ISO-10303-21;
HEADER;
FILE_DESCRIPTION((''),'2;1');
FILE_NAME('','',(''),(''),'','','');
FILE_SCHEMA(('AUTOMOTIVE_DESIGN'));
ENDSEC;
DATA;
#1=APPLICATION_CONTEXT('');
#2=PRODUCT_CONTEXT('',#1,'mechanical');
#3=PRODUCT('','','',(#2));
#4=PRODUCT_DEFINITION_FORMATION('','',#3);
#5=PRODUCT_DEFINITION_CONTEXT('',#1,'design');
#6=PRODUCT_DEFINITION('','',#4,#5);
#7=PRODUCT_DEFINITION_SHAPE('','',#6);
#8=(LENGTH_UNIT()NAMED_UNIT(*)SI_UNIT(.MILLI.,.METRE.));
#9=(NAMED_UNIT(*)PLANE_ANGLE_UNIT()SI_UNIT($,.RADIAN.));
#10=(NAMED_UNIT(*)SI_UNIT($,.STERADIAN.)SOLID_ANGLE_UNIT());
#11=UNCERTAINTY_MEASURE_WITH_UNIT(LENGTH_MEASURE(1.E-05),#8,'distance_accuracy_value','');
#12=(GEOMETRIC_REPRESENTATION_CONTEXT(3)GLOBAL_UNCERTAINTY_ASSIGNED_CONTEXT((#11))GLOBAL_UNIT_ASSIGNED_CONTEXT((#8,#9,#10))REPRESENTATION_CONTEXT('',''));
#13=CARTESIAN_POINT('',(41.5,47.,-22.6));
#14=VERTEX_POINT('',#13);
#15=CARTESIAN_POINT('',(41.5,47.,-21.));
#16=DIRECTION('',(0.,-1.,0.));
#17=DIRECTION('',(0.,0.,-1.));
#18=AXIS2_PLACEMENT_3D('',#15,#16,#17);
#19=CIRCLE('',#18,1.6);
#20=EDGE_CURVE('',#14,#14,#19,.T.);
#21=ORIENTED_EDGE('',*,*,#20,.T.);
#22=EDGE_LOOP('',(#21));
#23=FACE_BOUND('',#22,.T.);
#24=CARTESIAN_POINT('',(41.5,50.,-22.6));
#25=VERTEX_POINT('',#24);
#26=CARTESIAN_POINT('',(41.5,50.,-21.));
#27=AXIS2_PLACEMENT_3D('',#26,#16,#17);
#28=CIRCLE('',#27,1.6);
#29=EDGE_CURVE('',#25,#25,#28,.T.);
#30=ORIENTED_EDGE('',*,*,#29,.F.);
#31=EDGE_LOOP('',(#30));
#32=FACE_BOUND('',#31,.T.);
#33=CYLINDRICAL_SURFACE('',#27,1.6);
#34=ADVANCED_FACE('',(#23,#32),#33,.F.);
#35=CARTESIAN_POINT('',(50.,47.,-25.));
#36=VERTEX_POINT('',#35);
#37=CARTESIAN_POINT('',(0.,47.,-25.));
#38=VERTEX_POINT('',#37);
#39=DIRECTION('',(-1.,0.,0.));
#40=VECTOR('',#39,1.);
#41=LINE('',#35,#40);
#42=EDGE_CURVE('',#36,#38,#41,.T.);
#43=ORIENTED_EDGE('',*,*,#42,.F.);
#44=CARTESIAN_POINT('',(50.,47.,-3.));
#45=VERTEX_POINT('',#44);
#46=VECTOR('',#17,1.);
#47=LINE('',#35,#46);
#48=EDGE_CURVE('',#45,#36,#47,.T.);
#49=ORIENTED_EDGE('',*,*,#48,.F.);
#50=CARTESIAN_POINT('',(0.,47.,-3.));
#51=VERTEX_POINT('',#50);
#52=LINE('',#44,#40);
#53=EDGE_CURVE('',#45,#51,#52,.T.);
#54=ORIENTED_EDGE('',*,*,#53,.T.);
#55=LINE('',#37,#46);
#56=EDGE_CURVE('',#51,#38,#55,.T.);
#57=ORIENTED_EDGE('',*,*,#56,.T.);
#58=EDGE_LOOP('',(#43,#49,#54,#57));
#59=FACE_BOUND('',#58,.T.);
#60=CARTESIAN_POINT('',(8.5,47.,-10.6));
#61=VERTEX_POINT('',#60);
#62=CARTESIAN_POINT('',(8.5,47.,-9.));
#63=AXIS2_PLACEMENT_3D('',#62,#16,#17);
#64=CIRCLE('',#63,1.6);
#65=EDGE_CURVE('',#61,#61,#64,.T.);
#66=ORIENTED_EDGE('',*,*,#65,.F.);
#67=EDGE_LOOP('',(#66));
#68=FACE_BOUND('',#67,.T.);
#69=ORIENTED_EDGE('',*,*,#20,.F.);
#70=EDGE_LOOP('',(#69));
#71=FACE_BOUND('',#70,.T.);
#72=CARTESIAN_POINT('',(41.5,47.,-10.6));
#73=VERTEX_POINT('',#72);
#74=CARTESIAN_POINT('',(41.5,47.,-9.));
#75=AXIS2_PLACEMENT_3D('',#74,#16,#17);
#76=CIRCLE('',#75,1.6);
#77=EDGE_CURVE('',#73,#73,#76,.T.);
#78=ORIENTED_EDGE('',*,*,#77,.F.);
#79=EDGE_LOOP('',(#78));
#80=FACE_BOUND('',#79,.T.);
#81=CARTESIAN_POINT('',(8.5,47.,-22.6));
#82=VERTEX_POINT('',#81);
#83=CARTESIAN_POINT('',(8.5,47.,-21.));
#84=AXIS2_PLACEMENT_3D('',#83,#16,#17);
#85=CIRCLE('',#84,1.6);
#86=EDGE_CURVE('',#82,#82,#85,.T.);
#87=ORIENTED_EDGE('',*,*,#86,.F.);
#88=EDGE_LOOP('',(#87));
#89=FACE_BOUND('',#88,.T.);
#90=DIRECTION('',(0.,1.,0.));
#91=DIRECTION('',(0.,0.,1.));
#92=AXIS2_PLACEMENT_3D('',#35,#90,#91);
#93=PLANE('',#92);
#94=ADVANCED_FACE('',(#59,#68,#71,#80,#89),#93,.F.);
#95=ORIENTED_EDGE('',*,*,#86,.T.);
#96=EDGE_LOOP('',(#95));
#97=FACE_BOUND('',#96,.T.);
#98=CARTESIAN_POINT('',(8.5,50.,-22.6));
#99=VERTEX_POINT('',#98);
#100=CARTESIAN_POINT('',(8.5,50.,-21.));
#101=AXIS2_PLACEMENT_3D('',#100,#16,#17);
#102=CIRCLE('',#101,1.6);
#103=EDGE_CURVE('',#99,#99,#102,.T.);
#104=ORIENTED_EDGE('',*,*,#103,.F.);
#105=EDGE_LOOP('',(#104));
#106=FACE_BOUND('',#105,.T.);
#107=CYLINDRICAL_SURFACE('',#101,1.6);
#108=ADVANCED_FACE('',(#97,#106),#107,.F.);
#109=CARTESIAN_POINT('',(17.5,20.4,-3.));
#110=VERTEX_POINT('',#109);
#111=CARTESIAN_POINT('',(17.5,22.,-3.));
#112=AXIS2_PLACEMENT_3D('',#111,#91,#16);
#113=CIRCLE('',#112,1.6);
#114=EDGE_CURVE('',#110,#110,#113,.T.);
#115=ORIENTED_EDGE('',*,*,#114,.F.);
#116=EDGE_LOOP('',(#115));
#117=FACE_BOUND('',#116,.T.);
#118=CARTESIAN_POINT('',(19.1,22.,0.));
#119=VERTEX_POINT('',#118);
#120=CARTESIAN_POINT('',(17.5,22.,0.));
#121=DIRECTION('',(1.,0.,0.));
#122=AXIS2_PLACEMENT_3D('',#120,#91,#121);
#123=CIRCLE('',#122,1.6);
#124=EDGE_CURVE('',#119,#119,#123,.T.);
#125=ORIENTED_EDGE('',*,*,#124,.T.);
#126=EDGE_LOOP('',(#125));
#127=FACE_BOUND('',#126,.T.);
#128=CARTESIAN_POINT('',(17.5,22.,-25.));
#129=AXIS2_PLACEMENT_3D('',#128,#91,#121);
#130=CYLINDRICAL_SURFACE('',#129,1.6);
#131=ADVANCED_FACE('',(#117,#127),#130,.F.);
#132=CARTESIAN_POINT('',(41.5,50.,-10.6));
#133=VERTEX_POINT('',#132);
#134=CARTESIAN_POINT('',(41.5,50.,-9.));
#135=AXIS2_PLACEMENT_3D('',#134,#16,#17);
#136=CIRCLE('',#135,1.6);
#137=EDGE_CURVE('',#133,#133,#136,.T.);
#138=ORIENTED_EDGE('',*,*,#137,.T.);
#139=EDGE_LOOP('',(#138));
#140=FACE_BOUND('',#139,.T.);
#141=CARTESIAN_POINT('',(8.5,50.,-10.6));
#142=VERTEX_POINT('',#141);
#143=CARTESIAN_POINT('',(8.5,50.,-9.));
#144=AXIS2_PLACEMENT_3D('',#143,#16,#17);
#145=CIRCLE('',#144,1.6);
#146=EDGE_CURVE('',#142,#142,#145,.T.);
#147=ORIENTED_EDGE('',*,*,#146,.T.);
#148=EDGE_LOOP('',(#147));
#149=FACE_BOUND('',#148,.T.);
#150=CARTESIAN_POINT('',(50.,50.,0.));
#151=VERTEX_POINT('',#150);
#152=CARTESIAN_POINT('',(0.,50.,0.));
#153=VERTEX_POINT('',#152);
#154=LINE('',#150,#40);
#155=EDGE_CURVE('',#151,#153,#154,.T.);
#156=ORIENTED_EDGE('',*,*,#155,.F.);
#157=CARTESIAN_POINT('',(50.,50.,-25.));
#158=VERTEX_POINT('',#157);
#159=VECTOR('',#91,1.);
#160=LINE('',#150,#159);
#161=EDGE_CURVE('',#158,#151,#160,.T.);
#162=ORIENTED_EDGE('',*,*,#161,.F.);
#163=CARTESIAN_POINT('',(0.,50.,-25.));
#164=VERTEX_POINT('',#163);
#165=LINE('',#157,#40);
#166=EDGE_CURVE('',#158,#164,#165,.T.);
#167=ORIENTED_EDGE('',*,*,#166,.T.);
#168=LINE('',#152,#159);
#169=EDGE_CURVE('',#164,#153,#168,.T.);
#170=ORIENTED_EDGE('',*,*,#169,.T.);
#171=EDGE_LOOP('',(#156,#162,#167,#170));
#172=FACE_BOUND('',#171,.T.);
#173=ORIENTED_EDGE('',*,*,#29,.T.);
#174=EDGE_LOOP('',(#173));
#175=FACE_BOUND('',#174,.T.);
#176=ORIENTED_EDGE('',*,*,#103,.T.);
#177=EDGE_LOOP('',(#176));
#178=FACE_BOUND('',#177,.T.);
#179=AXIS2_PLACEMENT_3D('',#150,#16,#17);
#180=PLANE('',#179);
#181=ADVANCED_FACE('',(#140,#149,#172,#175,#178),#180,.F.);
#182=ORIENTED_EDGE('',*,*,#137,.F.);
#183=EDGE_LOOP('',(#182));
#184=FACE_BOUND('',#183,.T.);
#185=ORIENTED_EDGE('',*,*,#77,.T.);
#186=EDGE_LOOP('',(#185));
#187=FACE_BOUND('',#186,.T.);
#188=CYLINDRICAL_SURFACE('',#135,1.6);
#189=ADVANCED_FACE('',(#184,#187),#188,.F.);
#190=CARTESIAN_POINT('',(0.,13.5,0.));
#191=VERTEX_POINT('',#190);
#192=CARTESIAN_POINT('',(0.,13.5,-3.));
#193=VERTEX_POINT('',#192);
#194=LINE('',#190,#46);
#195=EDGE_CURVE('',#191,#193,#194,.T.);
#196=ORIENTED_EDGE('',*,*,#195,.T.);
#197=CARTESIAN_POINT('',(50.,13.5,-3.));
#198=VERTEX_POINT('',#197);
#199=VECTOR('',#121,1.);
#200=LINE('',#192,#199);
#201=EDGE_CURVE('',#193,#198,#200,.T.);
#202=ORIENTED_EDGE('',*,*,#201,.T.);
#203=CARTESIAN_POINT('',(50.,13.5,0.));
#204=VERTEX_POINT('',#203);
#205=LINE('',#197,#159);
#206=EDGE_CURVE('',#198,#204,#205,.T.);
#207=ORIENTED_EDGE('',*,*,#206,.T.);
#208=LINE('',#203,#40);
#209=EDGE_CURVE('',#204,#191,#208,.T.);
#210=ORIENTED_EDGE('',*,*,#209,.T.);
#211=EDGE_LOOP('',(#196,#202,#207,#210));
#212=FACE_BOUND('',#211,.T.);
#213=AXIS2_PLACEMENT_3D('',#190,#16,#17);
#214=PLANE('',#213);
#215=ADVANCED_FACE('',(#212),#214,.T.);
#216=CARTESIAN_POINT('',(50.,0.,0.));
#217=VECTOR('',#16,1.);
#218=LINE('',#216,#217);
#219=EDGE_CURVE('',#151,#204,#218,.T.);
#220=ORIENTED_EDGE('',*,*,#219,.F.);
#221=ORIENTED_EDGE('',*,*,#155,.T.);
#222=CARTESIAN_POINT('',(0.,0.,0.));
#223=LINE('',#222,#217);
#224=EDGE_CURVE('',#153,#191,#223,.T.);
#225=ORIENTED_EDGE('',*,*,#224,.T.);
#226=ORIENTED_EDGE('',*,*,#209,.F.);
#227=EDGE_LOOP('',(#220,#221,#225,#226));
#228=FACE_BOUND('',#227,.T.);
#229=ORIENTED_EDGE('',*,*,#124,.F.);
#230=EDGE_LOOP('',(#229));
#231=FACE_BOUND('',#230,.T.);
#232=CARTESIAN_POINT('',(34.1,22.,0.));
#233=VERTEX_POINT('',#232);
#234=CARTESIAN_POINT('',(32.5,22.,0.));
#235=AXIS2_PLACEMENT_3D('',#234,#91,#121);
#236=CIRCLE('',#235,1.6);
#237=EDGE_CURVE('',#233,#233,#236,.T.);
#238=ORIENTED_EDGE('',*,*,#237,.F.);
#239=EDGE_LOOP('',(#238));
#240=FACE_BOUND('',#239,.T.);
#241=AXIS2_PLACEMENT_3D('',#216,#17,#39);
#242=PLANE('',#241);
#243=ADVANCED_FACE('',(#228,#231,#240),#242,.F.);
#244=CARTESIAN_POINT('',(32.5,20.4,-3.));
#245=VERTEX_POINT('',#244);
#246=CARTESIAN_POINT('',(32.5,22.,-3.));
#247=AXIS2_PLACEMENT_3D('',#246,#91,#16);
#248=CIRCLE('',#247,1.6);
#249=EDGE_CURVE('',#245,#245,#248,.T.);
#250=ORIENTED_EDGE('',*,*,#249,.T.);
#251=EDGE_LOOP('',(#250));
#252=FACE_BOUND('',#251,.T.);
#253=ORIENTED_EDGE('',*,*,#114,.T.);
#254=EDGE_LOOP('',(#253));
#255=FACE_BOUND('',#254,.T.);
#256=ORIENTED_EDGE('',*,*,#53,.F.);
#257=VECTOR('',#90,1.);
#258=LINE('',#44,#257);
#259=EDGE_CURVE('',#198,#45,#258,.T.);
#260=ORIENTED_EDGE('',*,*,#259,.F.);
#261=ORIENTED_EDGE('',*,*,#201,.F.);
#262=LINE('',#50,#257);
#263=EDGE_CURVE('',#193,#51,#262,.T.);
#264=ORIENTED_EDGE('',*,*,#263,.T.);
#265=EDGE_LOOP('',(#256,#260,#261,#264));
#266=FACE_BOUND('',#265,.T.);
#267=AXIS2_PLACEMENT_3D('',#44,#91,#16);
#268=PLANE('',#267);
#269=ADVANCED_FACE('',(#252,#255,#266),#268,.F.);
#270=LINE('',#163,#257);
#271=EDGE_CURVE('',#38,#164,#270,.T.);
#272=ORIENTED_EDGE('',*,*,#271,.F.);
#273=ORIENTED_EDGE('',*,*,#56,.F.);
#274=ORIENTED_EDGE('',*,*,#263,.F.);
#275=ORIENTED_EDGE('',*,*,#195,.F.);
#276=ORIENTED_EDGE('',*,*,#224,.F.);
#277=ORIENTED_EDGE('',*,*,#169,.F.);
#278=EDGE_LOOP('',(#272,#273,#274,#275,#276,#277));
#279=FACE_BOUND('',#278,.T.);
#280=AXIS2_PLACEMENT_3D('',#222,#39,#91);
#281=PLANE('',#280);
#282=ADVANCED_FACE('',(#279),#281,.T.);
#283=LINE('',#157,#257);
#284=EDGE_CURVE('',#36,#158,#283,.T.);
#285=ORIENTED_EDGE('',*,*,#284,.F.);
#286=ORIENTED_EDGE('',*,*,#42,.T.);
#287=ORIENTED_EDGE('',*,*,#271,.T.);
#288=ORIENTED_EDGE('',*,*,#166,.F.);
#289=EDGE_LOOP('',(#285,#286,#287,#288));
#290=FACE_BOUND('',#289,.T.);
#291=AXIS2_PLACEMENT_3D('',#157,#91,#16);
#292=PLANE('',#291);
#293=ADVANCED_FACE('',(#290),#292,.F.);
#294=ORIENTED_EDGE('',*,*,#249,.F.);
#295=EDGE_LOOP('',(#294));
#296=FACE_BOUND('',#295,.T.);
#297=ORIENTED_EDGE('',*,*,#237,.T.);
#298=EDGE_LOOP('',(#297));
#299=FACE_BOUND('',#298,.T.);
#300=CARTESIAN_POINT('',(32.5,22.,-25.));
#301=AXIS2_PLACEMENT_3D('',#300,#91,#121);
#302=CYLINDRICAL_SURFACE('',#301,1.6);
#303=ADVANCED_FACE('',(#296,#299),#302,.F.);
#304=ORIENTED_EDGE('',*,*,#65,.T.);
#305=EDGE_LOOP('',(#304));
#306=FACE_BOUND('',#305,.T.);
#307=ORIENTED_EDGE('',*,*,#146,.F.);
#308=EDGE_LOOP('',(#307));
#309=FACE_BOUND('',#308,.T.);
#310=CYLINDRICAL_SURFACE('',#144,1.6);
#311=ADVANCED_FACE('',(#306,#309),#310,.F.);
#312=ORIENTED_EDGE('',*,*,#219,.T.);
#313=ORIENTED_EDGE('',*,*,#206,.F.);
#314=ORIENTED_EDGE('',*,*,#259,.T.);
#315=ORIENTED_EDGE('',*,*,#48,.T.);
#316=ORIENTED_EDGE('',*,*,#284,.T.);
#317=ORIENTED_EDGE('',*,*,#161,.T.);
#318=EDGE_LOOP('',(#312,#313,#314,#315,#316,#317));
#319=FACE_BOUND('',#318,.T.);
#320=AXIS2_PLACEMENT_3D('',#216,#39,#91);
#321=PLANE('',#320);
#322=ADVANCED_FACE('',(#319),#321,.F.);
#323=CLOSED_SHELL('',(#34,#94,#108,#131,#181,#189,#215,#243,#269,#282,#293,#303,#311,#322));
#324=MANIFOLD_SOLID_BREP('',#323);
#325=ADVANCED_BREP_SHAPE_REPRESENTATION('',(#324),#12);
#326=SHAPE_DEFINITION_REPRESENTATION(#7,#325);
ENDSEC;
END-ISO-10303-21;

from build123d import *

# Parameters (mm, degrees)
EXTRUDE_1_DEPTH     = 50
SKETCH_2_R          = 1.6
CUT_EXTRUDE_1_DEPTH = 4
SKETCH_3_W          = 50
SKETCH_3_H          = 3
CUT_EXTRUDE_2_DEPTH = 13.5
SKETCH_4_R          = 1.6
CUT_EXTRUDE_3_DEPTH = 26


with BuildPart() as part:
    # ｽｹｯﾁ1 → ﾎﾞｽ - 押し出し1 (new body)
    with BuildSketch(Plane(origin=(0, 0, 0), x_dir=(0, 0, -1), z_dir=(1, 0, 0))):
        Polygon((0, 50), (25, 50), (25, 47), (3, 47), (3, 0), (0, 0), align=None)
    extrude(amount=EXTRUDE_1_DEPTH)

    # ｽｹｯﾁ2 → ｶｯﾄ - 押し出し1 (cut, through all)
    with BuildSketch(Plane.XZ.offset(-47)):
        with Locations((8.5, -9)):
            Circle(SKETCH_2_R)
        with Locations((8.5, -21)):
            Circle(SKETCH_2_R)
        with Locations((41.5, -9)):
            Circle(SKETCH_2_R)
        with Locations((41.5, -21)):
            Circle(SKETCH_2_R)
    extrude(amount=-CUT_EXTRUDE_1_DEPTH, mode=Mode.SUBTRACT)

    # ｽｹｯﾁ3 → ｶｯﾄ - 押し出し2 (cut)
    with BuildSketch(Plane.XZ):
        with Locations((25, -1.5)):
            Rectangle(SKETCH_3_W, SKETCH_3_H)
    extrude(amount=-CUT_EXTRUDE_2_DEPTH, mode=Mode.SUBTRACT)

    # ｽｹｯﾁ4 → ｶｯﾄ - 押し出し3 (cut, through all)
    with BuildSketch(Plane.XY):
        with Locations((17.5, 22)):
            Circle(SKETCH_4_R)
        with Locations((32.5, 22)):
            Circle(SKETCH_4_R)
    extrude(amount=-CUT_EXTRUDE_3_DEPTH, mode=Mode.SUBTRACT)


solid = part.part
